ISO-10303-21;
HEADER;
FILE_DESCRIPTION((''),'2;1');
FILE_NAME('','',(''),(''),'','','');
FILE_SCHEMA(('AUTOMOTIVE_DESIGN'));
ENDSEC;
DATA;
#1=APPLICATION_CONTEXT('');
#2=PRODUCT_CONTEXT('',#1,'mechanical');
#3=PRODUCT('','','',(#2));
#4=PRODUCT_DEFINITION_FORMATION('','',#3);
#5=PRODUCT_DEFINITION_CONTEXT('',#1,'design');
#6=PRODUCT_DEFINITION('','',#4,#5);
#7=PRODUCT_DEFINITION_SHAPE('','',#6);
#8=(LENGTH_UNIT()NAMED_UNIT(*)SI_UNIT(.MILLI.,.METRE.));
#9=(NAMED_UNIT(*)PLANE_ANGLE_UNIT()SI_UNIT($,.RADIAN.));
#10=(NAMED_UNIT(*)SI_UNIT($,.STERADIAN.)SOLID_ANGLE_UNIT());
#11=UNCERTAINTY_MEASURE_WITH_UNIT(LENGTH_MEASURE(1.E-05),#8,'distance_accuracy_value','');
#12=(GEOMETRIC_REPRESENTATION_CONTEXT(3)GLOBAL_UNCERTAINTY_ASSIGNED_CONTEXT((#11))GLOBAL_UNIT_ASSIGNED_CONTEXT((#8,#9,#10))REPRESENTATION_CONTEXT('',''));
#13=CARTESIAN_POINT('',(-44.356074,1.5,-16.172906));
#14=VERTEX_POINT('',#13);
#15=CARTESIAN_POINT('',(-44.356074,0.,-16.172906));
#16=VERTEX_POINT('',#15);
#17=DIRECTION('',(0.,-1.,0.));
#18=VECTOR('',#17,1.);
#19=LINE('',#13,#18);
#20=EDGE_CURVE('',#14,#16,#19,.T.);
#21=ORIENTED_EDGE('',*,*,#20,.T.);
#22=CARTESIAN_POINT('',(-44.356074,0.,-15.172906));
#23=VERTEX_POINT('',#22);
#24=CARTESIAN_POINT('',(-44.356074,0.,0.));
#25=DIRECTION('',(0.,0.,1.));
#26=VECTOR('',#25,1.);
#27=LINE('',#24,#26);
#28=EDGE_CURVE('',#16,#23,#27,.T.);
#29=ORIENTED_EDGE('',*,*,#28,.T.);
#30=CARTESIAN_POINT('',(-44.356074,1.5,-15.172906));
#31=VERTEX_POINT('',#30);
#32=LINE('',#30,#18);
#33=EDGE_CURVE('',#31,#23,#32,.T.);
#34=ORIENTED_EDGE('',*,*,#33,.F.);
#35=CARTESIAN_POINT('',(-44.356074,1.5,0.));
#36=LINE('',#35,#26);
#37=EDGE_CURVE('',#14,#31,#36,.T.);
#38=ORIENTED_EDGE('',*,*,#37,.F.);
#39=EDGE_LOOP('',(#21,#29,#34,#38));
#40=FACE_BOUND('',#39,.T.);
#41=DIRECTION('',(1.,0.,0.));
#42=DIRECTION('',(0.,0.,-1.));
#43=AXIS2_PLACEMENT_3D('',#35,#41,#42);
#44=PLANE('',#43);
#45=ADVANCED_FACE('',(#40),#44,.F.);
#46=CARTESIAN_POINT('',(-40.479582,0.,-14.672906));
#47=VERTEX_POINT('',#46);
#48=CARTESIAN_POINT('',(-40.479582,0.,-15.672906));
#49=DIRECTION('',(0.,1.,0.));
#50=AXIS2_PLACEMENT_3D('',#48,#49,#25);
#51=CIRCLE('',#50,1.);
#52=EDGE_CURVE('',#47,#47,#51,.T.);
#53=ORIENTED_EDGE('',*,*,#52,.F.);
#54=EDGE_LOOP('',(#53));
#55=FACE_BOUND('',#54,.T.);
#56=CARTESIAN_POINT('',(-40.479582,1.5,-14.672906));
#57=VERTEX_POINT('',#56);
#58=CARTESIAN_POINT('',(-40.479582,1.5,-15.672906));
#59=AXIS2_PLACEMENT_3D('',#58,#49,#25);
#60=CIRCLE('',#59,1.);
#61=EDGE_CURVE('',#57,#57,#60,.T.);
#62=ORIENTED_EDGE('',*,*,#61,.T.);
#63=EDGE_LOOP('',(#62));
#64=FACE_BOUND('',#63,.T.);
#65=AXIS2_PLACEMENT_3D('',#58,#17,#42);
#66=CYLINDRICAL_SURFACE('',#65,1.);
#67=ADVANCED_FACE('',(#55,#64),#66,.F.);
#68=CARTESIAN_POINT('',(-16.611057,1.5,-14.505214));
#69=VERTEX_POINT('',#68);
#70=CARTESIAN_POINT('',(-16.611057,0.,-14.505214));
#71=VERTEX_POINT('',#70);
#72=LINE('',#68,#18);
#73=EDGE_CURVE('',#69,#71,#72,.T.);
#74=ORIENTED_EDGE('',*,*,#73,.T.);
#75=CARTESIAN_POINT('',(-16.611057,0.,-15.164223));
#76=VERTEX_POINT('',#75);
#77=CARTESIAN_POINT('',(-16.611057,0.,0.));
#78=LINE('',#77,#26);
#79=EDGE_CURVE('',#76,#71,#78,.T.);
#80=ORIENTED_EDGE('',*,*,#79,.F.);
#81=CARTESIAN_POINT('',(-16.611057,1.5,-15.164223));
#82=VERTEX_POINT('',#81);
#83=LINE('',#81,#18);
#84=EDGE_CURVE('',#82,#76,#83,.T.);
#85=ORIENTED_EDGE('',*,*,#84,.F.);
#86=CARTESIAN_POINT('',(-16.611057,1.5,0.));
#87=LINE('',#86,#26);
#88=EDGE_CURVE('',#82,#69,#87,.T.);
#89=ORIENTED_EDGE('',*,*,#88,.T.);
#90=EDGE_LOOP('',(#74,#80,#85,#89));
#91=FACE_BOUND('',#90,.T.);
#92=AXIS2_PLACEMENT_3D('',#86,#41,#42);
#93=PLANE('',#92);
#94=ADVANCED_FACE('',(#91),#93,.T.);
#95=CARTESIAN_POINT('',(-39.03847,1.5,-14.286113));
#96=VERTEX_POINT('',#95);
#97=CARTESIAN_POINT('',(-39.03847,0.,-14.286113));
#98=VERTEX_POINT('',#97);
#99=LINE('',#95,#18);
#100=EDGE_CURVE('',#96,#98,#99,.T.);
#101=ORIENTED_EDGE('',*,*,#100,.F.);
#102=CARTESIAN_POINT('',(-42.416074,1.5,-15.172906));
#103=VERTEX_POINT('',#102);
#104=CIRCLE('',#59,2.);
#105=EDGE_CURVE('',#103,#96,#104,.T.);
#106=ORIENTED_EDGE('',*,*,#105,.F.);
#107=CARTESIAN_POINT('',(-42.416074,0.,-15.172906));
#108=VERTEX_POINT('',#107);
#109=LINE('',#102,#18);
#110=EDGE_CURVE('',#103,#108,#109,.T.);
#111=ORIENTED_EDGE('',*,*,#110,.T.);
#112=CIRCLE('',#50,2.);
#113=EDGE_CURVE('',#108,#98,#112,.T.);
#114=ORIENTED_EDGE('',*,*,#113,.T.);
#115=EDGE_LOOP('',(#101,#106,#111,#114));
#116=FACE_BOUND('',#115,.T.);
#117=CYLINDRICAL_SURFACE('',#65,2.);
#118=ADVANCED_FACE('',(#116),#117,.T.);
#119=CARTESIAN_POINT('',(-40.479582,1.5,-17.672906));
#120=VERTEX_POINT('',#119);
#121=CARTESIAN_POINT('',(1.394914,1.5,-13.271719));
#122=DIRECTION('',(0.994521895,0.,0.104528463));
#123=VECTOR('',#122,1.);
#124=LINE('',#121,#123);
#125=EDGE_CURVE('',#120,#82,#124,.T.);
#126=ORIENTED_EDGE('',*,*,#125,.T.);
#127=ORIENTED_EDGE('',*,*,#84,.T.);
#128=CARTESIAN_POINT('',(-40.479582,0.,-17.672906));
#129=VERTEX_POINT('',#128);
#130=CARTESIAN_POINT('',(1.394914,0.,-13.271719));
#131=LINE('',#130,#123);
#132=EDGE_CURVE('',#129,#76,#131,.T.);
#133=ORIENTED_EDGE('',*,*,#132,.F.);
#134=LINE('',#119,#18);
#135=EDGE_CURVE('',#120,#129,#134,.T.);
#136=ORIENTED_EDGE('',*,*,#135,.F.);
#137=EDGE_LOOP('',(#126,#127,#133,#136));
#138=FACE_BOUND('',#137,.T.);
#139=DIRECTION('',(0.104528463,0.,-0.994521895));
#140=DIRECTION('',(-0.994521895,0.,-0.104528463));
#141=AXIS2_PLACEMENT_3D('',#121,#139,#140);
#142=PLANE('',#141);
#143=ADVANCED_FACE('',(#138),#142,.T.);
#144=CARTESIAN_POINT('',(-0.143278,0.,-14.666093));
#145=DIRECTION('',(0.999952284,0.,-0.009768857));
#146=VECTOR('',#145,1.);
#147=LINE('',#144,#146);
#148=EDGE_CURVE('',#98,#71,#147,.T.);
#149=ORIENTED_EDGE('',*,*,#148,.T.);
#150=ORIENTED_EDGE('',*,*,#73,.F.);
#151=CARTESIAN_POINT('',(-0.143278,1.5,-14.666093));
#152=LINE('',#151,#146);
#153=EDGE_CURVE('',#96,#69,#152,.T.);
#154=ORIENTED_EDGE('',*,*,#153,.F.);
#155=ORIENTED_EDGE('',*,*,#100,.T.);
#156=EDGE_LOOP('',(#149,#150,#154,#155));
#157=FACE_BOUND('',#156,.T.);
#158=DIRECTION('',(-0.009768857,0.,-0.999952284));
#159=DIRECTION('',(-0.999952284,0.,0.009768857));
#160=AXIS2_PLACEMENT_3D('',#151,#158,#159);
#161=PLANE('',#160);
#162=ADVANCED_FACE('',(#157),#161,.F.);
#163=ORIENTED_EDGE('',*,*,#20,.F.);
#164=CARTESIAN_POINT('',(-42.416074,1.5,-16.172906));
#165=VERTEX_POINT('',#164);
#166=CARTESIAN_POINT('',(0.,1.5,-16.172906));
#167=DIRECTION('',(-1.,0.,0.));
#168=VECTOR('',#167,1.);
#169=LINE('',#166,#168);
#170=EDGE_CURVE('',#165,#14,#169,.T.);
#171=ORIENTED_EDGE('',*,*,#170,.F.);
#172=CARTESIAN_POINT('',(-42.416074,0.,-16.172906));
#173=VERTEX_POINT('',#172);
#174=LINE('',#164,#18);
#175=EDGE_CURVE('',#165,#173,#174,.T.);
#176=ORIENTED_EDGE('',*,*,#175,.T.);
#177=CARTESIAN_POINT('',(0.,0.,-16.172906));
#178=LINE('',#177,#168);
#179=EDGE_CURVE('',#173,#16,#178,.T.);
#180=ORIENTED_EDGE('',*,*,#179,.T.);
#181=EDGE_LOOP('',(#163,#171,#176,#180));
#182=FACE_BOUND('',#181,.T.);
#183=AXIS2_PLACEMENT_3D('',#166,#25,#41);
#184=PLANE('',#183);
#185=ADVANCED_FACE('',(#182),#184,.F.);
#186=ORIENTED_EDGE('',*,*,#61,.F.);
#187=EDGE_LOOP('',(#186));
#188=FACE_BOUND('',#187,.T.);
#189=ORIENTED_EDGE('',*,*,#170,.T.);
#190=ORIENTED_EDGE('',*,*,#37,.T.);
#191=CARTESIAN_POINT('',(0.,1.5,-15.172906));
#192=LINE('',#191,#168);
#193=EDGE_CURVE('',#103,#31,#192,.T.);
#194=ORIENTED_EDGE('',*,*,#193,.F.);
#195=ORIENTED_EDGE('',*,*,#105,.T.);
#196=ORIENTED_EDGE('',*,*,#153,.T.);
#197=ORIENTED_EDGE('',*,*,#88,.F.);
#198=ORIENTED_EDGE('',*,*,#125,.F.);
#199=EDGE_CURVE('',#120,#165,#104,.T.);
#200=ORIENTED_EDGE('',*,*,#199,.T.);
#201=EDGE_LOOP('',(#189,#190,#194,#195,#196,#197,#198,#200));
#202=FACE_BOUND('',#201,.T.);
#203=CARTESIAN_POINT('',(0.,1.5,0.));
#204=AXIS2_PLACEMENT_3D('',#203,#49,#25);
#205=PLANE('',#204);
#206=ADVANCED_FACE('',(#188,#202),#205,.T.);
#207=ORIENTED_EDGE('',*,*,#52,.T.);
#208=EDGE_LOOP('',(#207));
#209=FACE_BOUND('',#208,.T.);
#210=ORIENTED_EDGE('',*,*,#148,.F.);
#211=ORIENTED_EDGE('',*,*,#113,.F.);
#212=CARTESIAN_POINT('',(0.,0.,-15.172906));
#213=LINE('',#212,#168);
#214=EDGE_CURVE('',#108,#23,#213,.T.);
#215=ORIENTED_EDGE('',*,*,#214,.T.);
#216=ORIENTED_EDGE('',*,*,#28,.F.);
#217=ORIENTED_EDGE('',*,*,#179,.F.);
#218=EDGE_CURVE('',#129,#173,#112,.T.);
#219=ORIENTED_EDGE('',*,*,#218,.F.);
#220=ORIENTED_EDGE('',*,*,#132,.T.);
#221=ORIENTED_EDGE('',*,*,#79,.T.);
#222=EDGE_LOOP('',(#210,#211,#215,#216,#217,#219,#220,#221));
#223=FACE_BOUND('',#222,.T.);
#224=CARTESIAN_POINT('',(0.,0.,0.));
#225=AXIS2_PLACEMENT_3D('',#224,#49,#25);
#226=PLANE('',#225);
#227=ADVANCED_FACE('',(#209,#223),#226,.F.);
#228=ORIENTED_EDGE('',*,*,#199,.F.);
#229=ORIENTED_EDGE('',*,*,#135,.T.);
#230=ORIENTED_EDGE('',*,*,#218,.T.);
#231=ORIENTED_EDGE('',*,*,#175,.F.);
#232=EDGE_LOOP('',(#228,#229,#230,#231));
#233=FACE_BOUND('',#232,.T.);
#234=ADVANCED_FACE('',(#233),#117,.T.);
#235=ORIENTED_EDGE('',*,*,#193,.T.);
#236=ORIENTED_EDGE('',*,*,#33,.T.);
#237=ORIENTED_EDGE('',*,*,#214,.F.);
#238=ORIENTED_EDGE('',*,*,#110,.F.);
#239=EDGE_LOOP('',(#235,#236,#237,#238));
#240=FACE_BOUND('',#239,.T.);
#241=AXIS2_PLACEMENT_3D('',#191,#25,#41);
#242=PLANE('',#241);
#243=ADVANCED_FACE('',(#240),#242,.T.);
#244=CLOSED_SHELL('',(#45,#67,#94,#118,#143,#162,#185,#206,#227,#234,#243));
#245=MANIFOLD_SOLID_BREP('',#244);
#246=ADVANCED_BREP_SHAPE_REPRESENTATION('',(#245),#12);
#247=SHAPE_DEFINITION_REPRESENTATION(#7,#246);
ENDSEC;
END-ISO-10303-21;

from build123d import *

# Parameters (mm, degrees)
SKETCH1_R           = 1
BOSS_EXTRUDE1_DEPTH = 1.5


with BuildPart() as part:
    # Sketch1 → Boss-Extrude1 (new body)
    # profile 1 of 3: a face of its own
    with BuildSketch(Plane(origin=(0, 0, 0), x_dir=(1, 0, 0), z_dir=(0, 1, 0))):
        with BuildLine():
            ThreePointArc((-38.479582276, 15.672906391), (-38.624558781, 14.925318383), (-39.038470107, 14.28611307))
            Line((-39.038470107, 14.28611307), (-16.611056788, 14.505213721))
            Line((-16.611056788, 14.505213721), (-16.611056788, 15.164223273))
            Line((-16.611056788, 15.164223273), (-40.063758895, 17.629201593))
            ThreePointArc((-40.063758895, 17.629201593), (-38.925290354, 16.931547173), (-38.479582276, 15.672906391))
        make_face()
    # profile 2 of 3: a face of its own
    with BuildSketch(Plane(origin=(0, 0, 0), x_dir=(1, 0, 0), z_dir=(0, 1, 0))):
        with BuildLine():
            ThreePointArc((-40.479582276, 17.672906391), (-41.704327148, 17.254045221), (-42.41607395, 16.172906391))
            ThreePointArc((-42.41607395, 16.172906391), (-42.479582276, 15.672906391), (-42.41607395, 15.172906391))
            ThreePointArc((-42.41607395, 15.172906391), (-40.987470858, 13.738468698), (-39.038470107, 14.28611307))
            ThreePointArc((-39.038470107, 14.28611307), (-38.624558781, 14.925318383), (-38.479582276, 15.672906391))
            ThreePointArc((-38.479582276, 15.672906391), (-38.925290354, 16.931547173), (-40.063758895, 17.629201593))
            Line((-40.063758895, 17.629201593), (-40.479582276, 17.672906391))
        make_face()
        with Locations(Location((-40.479582276, 15.672906391, 0), (0, 0, 270))):
            Circle(SKETCH1_R, mode=Mode.SUBTRACT)
    # profile 3 of 3: a face of its own
    with BuildSketch(Plane(origin=(0, 0, 0), x_dir=(1, 0, 0), z_dir=(0, 1, 0))):
        with BuildLine():
            Line((-42.41607395, 16.172906391), (-44.35607395, 16.172906391))
            Line((-44.35607395, 16.172906391), (-44.35607395, 15.172906391))
            Line((-44.35607395, 15.172906391), (-42.41607395, 15.172906391))
            ThreePointArc((-42.41607395, 15.172906391), (-42.479582276, 15.672906391), (-42.41607395, 16.172906391))
        make_face()
    extrude(amount=BOSS_EXTRUDE1_DEPTH)


solid = part.part
